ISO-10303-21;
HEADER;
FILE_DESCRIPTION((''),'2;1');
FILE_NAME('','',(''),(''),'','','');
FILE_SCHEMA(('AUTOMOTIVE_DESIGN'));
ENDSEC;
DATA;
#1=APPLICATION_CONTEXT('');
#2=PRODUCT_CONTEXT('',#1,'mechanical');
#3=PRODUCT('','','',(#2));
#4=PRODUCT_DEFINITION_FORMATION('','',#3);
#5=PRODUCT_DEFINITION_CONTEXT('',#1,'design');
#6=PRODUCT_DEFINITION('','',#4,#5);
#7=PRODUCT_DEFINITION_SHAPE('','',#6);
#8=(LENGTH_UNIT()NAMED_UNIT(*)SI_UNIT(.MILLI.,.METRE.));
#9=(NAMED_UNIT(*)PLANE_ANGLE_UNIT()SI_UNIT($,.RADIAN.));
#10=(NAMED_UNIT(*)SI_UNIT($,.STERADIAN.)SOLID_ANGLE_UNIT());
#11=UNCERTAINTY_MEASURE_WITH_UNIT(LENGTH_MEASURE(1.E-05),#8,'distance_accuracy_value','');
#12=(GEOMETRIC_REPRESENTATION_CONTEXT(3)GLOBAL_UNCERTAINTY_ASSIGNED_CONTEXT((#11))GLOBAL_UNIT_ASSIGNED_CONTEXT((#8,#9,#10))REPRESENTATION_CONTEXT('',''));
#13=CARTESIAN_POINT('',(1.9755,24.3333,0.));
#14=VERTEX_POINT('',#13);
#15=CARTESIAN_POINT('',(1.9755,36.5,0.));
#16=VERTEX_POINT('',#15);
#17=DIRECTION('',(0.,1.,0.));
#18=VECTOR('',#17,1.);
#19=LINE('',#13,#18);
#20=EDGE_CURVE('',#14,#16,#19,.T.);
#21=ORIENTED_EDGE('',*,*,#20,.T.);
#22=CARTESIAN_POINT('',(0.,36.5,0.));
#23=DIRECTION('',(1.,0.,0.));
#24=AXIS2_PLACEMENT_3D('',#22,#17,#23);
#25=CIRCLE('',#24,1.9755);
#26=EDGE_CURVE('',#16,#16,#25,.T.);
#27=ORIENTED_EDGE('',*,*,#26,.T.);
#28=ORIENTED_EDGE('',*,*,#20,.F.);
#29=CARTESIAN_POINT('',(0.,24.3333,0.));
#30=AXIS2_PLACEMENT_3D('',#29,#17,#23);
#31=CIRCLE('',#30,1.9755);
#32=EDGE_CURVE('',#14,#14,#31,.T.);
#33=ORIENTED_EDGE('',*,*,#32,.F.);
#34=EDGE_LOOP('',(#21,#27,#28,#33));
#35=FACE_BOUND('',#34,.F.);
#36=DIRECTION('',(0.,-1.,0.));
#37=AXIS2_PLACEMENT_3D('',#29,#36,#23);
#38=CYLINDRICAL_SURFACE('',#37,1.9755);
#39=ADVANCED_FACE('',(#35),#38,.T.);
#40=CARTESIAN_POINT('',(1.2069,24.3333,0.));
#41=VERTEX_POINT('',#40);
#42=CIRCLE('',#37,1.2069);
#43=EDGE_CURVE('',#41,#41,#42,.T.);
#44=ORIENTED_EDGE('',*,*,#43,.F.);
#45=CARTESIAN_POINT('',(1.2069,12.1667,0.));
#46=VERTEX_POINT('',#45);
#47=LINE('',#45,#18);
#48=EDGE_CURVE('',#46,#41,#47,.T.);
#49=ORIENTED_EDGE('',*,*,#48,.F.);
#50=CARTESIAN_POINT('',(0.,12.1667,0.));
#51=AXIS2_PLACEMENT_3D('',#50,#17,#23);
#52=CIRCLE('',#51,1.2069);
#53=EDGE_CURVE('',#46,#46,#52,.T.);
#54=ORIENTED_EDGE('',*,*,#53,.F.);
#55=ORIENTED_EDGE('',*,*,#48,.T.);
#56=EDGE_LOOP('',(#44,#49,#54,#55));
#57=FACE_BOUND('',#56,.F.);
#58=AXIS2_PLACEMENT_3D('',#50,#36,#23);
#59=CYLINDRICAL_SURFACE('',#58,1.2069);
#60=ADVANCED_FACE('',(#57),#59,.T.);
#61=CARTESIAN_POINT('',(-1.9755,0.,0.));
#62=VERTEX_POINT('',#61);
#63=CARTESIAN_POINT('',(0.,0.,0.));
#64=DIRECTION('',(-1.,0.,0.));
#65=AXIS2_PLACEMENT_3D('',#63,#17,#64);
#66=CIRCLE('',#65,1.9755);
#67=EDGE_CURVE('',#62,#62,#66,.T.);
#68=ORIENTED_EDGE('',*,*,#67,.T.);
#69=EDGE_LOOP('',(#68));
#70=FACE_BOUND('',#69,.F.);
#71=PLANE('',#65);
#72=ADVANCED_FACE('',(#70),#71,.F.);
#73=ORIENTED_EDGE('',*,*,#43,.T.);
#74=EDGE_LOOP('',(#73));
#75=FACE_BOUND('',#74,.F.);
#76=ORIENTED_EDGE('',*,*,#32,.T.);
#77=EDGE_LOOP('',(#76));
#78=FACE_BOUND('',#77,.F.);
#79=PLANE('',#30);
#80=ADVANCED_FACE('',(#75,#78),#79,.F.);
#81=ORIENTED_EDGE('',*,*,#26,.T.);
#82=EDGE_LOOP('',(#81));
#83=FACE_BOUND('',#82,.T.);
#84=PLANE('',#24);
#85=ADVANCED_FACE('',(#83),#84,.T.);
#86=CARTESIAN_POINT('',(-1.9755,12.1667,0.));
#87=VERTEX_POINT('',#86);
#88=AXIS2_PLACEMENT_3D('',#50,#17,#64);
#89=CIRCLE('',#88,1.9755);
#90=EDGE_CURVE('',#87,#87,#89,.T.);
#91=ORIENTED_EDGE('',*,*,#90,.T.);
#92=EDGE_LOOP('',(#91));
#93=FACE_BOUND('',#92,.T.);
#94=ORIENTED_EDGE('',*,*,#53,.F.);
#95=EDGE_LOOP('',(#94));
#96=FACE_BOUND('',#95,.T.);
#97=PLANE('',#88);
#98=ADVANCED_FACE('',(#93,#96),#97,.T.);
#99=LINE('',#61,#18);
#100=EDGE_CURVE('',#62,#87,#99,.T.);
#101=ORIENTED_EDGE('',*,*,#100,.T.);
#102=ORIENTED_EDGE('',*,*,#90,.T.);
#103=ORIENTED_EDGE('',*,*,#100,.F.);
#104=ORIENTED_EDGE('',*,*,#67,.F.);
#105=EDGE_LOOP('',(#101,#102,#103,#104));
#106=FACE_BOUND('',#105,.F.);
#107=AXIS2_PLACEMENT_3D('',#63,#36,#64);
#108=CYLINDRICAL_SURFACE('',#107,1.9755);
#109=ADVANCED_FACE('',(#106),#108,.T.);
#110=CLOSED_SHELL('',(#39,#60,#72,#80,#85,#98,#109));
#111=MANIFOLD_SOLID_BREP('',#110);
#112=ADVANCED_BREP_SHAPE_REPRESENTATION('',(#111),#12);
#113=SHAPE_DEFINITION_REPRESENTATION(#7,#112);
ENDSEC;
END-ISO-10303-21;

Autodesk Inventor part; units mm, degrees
ref_plane "YZ Plane" through (0, 0, 0) normal (1, 0, 0) x (0, 1, 0)
ref_plane "XZ Plane" through (0, 0, 0) normal (0, 1, 0) x (-1, 0, 0)
ref_plane "XY Plane" through (0, 0, 0) normal (0, 0, 1) x (1, 0, 0)
sketch "Sketch1" plane through (0, 0, 0) normal (0, 1, 0) x (-1, 0, 0)
  circle A0 centre (0, 0) radius 1.9755
  dimension "d0" = 3.951
extrude "Extrusion1" add sketch "Sketch1" along normal blind 12.1667
sketch "Sketch2" plane through (0, 12.1667, 0) normal (0, 1, 0) x (1, 0, 0)
  circle A0 centre (0, 0) radius 1.2069
extrude "Extrusion2" add sketch "Sketch2" along normal blind 12.1667
sketch "Sketch3" plane through (0, 24.3333, 0) normal (0, 1, 0) x (1, 0, 0)
  circle A0 centre (0, 0) radius 1.9755
extrude "Extrusion3" add sketch "Sketch3" along normal blind 12.1667
properties part number "McCrea_bodyzadokstlp_walle"
